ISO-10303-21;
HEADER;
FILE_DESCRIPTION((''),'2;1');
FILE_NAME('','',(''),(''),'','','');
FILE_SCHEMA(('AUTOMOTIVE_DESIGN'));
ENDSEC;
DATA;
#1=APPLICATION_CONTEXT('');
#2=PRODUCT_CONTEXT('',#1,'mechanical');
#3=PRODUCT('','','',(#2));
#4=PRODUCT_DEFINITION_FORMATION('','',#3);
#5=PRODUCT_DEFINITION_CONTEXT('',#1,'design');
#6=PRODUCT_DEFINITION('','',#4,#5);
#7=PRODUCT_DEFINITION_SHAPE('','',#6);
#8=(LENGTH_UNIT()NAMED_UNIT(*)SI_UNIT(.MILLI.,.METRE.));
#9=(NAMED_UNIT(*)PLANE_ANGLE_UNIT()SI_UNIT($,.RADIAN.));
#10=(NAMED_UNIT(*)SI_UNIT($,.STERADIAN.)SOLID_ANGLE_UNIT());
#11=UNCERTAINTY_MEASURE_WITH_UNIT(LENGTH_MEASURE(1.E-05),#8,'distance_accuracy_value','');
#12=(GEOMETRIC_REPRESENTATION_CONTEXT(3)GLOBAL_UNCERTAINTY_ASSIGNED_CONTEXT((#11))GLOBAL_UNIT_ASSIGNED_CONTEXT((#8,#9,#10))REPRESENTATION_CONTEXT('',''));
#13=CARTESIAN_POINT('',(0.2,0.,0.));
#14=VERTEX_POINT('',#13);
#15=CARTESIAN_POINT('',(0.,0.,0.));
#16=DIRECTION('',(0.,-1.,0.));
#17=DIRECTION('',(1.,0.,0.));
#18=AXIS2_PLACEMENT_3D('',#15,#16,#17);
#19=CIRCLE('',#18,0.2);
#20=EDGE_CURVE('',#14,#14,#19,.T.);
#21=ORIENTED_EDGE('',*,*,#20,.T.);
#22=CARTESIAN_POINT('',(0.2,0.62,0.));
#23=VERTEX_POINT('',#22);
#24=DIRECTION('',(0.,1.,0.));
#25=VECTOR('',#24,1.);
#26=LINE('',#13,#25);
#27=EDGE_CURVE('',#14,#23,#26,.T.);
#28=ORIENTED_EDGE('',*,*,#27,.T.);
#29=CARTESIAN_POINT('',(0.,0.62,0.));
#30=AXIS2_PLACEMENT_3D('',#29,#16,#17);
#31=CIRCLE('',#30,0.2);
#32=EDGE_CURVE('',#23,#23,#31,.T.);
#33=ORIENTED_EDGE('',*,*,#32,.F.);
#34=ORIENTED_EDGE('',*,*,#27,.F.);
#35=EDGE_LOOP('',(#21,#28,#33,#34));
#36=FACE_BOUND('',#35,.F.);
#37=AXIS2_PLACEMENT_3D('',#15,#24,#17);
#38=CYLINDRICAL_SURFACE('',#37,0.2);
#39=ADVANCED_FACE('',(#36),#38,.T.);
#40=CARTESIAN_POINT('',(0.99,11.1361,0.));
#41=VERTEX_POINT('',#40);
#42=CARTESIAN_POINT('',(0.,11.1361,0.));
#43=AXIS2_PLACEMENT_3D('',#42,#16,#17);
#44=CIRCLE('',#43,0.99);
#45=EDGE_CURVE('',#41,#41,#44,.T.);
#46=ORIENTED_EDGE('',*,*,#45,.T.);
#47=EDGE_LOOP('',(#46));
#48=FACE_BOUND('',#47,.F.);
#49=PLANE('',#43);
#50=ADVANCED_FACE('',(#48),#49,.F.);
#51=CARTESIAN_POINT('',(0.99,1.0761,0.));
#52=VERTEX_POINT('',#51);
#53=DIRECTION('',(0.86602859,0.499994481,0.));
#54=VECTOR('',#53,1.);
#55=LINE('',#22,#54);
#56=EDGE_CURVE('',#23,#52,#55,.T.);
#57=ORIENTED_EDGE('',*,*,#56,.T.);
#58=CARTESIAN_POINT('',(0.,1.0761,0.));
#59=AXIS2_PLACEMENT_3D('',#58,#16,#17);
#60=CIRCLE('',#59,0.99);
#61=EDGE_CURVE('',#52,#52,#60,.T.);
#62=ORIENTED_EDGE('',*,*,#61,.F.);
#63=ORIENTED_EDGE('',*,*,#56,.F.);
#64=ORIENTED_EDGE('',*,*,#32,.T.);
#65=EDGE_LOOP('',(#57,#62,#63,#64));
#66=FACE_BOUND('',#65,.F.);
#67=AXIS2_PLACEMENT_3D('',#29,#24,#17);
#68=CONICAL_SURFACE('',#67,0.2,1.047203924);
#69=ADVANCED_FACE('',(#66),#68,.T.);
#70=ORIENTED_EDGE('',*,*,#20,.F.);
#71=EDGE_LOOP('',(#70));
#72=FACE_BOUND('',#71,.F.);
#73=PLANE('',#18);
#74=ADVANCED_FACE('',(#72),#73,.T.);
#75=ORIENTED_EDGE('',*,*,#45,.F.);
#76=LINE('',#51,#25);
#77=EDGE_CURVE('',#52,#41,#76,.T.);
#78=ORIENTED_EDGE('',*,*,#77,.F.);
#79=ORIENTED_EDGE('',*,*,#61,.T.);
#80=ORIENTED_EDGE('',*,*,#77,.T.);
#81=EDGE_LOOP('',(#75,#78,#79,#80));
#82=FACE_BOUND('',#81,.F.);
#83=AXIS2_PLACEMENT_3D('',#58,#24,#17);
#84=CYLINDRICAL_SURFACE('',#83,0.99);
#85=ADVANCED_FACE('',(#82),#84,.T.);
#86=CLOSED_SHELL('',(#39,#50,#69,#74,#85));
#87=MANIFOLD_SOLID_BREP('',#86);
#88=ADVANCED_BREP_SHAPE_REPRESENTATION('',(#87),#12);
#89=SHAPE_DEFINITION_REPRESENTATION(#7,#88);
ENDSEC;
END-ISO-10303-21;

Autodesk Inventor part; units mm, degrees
ref_plane "YZ Plane" through (0, 0, 0) normal (1, 0, 0) x (0, 1, 0)
ref_plane "XZ Plane" through (0, 0, 0) normal (0, 1, 0) x (-1, 0, 0)
ref_plane "XY Plane" through (0, 0, 0) normal (0, 0, 1) x (1, 0, 0)
sketch "Boceto1" plane through (0, 0, 0) normal (0, 0, 1) x (1, 0, 0)
  line L0 (0.2, 0) -> (0.2, 0.62)
  line L1 (0.2, 0.62) -> (0.99, 1.0761)
  line L2 (0.99, 1.0761) -> (0.99, 11.1361)
  line L3 (-0.2, 0) -> (1.2, 0) projected
  line L4 (0.99, 11.1361) -> (0, 11.1361)
  line L5 (0, 0) -> (0.2, 0)
  line L6 (0, 11.1361) -> (0, 0)
  dimension "d1" = 0.2
  dimension "d2" = 0.62
  dimension "d4" = 10.06
  dimension "d8" = 60
  dimension "d9" = 0.99
revolve "Revolución1" add sketch "Boceto1" angle 360 about axis through (0, 11.1361, 0) along (0, -1, 0)
equation "\"d1\" = 0.5 * Dc"
equation "\"d2\" = Lc"
equation "\"d4\" = Ln"
equation "\"d8\" = alfa"
equation "\"d9\" = 0.5 * Do"
equation "\"Dc\" = 0.4"
equation "\"Lc\" = 0.62"
equation "\"Ln\" = 10.06"
equation "\"Do\" = 1.98"
equation "\"alfa\" = 60deg"
properties part number "Boquilla0.4"
